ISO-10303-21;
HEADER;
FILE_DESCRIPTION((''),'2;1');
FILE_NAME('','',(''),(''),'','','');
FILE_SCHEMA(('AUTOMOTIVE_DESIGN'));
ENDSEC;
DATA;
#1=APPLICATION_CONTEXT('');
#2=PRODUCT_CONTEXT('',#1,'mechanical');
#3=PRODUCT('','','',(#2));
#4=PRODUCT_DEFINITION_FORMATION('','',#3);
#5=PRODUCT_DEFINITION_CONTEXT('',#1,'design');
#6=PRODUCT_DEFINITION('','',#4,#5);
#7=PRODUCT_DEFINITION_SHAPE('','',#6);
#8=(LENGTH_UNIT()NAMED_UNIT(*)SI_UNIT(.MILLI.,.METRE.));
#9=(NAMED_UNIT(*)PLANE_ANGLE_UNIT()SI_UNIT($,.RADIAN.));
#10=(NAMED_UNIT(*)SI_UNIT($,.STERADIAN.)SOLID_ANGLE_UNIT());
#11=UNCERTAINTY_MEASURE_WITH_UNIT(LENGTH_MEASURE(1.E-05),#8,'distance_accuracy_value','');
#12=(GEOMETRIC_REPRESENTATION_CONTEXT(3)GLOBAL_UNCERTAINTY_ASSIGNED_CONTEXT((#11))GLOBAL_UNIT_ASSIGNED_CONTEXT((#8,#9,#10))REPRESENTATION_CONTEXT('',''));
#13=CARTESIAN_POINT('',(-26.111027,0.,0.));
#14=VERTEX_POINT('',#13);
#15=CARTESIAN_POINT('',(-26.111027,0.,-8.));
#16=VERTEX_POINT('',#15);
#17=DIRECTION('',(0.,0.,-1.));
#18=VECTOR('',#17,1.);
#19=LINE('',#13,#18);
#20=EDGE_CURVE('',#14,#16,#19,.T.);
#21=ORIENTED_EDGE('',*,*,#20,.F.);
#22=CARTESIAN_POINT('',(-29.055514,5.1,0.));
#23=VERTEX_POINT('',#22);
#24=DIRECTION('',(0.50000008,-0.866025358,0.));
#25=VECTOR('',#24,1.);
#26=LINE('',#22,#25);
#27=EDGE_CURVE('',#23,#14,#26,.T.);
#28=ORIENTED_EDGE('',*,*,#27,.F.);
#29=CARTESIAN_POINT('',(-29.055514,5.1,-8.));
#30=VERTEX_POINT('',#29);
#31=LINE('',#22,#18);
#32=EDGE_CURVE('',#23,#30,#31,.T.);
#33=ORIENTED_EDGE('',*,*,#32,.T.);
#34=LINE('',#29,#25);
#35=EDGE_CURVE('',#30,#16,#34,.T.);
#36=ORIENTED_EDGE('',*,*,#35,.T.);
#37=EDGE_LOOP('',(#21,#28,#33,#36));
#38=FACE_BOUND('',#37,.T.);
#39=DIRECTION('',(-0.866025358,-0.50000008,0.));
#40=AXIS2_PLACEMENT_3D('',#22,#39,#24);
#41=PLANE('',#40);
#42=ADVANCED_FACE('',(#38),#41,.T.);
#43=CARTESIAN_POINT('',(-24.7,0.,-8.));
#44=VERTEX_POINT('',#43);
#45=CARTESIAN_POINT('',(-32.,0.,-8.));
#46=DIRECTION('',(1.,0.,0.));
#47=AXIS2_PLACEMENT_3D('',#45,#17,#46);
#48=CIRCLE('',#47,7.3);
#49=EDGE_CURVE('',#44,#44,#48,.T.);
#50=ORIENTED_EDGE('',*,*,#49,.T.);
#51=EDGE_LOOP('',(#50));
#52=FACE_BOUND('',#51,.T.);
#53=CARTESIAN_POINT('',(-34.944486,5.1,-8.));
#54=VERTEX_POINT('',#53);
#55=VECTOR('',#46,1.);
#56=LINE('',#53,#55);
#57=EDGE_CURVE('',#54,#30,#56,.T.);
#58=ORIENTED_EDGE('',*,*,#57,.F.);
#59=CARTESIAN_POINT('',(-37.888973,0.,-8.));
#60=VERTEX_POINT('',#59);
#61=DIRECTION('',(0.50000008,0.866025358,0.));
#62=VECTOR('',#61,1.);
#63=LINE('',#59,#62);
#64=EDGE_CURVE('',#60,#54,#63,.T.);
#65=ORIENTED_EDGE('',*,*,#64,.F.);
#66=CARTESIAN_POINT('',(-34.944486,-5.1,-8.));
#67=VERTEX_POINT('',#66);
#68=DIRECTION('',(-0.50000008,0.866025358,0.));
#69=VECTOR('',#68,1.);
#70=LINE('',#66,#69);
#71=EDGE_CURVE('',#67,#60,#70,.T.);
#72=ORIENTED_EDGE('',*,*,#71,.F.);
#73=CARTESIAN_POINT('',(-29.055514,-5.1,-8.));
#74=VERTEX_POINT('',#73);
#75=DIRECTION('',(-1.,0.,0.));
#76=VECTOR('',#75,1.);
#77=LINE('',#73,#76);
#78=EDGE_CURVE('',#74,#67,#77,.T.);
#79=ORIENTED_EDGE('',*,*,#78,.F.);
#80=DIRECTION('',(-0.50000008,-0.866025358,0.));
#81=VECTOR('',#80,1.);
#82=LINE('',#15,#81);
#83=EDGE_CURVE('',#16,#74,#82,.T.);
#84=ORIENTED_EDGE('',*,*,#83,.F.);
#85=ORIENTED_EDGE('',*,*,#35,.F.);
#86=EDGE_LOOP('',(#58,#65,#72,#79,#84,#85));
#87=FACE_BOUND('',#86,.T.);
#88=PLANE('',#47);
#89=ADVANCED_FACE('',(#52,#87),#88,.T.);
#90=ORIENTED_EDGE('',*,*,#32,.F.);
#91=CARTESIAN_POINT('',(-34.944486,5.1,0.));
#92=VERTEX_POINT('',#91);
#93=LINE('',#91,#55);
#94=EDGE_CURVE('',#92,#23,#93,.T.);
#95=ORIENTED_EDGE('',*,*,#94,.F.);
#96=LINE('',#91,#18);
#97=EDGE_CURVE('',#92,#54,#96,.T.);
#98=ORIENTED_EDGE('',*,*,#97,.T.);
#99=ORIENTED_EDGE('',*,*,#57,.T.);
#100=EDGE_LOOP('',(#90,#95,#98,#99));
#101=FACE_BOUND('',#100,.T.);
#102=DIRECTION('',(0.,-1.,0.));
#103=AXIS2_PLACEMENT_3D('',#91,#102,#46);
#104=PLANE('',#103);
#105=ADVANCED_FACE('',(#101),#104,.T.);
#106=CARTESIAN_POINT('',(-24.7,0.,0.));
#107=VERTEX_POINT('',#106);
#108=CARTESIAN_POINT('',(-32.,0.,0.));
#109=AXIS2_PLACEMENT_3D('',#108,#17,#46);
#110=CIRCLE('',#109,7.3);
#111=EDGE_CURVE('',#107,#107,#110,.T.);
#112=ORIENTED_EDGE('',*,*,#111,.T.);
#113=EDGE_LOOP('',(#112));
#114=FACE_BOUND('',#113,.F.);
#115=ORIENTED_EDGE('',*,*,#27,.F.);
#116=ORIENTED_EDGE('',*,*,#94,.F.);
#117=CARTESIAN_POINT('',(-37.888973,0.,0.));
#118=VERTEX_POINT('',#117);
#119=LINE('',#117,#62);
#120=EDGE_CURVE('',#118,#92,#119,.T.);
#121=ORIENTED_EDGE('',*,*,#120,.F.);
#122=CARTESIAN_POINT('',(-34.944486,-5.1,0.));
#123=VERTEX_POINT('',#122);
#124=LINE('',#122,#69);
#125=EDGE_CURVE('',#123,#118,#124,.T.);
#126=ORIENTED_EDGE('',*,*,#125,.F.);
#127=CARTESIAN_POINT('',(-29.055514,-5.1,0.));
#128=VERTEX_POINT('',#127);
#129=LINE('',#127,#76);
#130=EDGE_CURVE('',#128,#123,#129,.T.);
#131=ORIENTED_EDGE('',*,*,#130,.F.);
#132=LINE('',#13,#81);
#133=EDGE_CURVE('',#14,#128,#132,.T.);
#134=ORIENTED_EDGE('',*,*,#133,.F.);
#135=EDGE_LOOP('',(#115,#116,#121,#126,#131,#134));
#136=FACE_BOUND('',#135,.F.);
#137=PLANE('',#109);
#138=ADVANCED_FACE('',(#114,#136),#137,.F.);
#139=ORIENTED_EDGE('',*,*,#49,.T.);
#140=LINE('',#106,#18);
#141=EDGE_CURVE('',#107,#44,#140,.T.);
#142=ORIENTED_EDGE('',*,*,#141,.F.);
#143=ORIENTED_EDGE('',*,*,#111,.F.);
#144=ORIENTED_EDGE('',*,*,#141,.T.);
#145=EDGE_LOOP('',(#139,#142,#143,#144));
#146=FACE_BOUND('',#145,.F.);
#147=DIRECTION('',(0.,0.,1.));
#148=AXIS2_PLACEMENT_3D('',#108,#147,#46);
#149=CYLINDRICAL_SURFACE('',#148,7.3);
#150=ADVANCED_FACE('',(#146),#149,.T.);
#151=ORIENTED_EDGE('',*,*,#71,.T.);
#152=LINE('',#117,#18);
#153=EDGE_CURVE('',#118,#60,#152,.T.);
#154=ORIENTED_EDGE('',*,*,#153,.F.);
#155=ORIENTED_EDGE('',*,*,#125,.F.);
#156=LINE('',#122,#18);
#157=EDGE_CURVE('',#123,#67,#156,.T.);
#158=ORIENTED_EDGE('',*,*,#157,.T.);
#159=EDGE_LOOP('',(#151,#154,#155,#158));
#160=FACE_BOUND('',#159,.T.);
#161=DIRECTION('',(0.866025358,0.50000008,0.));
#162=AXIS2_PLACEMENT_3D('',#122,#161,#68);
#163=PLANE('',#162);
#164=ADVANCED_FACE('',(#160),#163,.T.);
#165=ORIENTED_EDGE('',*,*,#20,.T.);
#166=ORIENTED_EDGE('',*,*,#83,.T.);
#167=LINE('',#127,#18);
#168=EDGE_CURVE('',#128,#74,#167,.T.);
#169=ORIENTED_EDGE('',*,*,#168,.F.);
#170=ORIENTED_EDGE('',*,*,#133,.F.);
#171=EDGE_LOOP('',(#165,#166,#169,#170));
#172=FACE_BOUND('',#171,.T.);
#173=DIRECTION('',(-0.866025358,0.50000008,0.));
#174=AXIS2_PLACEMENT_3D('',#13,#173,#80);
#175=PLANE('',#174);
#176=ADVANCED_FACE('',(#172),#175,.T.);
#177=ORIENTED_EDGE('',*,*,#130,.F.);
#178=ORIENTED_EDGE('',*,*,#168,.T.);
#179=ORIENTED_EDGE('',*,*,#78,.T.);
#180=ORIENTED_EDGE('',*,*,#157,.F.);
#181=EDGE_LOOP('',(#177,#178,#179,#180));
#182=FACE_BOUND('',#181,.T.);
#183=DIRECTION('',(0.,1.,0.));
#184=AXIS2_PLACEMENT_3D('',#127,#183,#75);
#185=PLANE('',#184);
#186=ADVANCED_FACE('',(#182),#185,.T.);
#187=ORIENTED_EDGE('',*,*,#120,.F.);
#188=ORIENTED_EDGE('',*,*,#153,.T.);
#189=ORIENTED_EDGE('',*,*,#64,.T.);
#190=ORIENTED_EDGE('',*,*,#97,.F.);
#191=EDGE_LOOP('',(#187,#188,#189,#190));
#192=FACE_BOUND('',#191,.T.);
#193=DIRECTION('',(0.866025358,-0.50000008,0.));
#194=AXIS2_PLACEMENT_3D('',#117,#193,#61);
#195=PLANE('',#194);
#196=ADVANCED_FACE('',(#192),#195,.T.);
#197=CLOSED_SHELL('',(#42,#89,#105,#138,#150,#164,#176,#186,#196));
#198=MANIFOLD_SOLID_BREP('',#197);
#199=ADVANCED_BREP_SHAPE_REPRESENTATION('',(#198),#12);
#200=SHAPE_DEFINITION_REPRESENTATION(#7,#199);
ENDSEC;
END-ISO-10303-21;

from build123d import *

# Parameters (mm, degrees)
SKETCH002_R = 7.3
PAD_DEPTH   = 8


with BuildPart() as part:
    # Sketch002 → Pad (new body)
    with BuildSketch(Plane(origin=(0, 0, 0), x_dir=(1, 0, 0), z_dir=(0, 0, -1))):
        with Locations((-32, 0)):
            Circle(SKETCH002_R)
        Polygon((-34.944486, 5.1), (-37.888973, 0), (-34.944486, -5.1), (-29.055514, -5.1), (-26.111027, 0), (-29.055514, 5.1), align=None, mode=Mode.SUBTRACT)
    extrude(amount=PAD_DEPTH)


solid = part.part
